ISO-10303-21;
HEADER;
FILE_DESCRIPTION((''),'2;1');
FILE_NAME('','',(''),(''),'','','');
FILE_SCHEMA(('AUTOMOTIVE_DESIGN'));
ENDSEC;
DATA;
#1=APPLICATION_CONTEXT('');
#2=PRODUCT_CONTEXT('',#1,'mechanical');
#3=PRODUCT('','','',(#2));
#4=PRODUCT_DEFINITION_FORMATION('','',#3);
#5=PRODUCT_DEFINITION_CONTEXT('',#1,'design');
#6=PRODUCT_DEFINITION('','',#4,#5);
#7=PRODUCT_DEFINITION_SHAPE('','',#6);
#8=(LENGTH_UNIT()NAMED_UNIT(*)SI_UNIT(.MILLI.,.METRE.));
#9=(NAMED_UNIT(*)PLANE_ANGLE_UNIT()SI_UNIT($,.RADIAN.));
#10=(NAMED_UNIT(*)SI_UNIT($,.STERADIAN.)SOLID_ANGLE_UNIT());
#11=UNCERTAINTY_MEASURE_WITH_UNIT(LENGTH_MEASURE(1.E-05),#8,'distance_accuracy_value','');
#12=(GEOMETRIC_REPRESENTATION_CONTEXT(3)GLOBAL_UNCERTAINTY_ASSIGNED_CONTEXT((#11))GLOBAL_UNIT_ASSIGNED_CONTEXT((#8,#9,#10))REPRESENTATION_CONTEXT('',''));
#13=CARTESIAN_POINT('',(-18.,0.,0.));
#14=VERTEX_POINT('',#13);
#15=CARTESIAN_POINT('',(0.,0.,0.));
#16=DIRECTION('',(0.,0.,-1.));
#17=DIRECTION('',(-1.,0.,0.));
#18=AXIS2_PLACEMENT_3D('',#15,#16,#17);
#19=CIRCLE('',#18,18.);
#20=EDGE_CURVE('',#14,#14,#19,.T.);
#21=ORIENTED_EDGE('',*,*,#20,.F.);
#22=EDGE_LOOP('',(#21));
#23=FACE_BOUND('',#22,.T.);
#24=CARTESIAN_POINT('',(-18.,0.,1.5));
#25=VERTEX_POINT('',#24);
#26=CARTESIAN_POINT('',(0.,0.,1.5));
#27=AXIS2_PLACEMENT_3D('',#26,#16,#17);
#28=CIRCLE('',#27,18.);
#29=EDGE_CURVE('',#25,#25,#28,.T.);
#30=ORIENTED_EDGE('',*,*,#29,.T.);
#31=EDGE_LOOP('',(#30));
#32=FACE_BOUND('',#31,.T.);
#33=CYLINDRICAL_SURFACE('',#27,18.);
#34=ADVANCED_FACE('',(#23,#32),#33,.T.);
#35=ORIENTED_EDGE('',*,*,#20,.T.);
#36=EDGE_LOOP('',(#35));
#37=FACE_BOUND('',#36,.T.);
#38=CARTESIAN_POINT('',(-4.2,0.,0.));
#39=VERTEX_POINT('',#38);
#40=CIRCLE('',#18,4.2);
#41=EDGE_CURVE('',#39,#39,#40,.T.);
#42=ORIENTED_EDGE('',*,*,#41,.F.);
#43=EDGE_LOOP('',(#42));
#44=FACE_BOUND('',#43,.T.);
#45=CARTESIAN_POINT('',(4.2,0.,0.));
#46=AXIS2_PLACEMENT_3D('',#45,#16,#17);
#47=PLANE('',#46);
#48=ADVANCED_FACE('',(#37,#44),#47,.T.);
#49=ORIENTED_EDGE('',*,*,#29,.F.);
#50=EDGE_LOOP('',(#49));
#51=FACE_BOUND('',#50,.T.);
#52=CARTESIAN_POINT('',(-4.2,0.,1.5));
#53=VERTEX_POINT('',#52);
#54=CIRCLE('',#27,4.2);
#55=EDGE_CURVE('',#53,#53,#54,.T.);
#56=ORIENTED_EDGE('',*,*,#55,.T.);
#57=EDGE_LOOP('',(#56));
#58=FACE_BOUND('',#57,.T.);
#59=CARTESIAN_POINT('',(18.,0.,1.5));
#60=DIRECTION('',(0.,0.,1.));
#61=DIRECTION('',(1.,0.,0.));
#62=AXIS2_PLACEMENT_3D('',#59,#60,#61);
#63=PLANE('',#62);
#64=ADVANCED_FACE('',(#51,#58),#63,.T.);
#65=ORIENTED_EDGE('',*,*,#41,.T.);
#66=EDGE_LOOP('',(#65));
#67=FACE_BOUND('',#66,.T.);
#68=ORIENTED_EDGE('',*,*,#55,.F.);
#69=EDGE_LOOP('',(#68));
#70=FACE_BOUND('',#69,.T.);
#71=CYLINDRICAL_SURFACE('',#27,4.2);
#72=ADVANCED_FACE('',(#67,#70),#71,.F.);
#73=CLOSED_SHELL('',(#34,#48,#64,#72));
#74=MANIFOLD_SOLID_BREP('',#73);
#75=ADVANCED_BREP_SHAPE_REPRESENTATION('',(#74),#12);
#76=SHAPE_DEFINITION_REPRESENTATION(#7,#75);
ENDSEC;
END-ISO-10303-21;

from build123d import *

# Parameters (mm, degrees)
SKETCH1_W = 13.8
SKETCH1_H = 1.5


with BuildPart() as part:
    # Sketch1 → Revolve1 (revolve)
    with BuildSketch(Plane.XZ, mode=Mode.PRIVATE) as revolve1_sk:
        with Locations((11.1, 0.75)):
            Rectangle(SKETCH1_W, SKETCH1_H)
    revolve(revolve1_sk.sketch.rotate(Axis((0, 0, 1.5), (0, 0, -1)), 180), axis=Axis((0, 0, 1.5), (0, 0, -1)))


solid = part.part
